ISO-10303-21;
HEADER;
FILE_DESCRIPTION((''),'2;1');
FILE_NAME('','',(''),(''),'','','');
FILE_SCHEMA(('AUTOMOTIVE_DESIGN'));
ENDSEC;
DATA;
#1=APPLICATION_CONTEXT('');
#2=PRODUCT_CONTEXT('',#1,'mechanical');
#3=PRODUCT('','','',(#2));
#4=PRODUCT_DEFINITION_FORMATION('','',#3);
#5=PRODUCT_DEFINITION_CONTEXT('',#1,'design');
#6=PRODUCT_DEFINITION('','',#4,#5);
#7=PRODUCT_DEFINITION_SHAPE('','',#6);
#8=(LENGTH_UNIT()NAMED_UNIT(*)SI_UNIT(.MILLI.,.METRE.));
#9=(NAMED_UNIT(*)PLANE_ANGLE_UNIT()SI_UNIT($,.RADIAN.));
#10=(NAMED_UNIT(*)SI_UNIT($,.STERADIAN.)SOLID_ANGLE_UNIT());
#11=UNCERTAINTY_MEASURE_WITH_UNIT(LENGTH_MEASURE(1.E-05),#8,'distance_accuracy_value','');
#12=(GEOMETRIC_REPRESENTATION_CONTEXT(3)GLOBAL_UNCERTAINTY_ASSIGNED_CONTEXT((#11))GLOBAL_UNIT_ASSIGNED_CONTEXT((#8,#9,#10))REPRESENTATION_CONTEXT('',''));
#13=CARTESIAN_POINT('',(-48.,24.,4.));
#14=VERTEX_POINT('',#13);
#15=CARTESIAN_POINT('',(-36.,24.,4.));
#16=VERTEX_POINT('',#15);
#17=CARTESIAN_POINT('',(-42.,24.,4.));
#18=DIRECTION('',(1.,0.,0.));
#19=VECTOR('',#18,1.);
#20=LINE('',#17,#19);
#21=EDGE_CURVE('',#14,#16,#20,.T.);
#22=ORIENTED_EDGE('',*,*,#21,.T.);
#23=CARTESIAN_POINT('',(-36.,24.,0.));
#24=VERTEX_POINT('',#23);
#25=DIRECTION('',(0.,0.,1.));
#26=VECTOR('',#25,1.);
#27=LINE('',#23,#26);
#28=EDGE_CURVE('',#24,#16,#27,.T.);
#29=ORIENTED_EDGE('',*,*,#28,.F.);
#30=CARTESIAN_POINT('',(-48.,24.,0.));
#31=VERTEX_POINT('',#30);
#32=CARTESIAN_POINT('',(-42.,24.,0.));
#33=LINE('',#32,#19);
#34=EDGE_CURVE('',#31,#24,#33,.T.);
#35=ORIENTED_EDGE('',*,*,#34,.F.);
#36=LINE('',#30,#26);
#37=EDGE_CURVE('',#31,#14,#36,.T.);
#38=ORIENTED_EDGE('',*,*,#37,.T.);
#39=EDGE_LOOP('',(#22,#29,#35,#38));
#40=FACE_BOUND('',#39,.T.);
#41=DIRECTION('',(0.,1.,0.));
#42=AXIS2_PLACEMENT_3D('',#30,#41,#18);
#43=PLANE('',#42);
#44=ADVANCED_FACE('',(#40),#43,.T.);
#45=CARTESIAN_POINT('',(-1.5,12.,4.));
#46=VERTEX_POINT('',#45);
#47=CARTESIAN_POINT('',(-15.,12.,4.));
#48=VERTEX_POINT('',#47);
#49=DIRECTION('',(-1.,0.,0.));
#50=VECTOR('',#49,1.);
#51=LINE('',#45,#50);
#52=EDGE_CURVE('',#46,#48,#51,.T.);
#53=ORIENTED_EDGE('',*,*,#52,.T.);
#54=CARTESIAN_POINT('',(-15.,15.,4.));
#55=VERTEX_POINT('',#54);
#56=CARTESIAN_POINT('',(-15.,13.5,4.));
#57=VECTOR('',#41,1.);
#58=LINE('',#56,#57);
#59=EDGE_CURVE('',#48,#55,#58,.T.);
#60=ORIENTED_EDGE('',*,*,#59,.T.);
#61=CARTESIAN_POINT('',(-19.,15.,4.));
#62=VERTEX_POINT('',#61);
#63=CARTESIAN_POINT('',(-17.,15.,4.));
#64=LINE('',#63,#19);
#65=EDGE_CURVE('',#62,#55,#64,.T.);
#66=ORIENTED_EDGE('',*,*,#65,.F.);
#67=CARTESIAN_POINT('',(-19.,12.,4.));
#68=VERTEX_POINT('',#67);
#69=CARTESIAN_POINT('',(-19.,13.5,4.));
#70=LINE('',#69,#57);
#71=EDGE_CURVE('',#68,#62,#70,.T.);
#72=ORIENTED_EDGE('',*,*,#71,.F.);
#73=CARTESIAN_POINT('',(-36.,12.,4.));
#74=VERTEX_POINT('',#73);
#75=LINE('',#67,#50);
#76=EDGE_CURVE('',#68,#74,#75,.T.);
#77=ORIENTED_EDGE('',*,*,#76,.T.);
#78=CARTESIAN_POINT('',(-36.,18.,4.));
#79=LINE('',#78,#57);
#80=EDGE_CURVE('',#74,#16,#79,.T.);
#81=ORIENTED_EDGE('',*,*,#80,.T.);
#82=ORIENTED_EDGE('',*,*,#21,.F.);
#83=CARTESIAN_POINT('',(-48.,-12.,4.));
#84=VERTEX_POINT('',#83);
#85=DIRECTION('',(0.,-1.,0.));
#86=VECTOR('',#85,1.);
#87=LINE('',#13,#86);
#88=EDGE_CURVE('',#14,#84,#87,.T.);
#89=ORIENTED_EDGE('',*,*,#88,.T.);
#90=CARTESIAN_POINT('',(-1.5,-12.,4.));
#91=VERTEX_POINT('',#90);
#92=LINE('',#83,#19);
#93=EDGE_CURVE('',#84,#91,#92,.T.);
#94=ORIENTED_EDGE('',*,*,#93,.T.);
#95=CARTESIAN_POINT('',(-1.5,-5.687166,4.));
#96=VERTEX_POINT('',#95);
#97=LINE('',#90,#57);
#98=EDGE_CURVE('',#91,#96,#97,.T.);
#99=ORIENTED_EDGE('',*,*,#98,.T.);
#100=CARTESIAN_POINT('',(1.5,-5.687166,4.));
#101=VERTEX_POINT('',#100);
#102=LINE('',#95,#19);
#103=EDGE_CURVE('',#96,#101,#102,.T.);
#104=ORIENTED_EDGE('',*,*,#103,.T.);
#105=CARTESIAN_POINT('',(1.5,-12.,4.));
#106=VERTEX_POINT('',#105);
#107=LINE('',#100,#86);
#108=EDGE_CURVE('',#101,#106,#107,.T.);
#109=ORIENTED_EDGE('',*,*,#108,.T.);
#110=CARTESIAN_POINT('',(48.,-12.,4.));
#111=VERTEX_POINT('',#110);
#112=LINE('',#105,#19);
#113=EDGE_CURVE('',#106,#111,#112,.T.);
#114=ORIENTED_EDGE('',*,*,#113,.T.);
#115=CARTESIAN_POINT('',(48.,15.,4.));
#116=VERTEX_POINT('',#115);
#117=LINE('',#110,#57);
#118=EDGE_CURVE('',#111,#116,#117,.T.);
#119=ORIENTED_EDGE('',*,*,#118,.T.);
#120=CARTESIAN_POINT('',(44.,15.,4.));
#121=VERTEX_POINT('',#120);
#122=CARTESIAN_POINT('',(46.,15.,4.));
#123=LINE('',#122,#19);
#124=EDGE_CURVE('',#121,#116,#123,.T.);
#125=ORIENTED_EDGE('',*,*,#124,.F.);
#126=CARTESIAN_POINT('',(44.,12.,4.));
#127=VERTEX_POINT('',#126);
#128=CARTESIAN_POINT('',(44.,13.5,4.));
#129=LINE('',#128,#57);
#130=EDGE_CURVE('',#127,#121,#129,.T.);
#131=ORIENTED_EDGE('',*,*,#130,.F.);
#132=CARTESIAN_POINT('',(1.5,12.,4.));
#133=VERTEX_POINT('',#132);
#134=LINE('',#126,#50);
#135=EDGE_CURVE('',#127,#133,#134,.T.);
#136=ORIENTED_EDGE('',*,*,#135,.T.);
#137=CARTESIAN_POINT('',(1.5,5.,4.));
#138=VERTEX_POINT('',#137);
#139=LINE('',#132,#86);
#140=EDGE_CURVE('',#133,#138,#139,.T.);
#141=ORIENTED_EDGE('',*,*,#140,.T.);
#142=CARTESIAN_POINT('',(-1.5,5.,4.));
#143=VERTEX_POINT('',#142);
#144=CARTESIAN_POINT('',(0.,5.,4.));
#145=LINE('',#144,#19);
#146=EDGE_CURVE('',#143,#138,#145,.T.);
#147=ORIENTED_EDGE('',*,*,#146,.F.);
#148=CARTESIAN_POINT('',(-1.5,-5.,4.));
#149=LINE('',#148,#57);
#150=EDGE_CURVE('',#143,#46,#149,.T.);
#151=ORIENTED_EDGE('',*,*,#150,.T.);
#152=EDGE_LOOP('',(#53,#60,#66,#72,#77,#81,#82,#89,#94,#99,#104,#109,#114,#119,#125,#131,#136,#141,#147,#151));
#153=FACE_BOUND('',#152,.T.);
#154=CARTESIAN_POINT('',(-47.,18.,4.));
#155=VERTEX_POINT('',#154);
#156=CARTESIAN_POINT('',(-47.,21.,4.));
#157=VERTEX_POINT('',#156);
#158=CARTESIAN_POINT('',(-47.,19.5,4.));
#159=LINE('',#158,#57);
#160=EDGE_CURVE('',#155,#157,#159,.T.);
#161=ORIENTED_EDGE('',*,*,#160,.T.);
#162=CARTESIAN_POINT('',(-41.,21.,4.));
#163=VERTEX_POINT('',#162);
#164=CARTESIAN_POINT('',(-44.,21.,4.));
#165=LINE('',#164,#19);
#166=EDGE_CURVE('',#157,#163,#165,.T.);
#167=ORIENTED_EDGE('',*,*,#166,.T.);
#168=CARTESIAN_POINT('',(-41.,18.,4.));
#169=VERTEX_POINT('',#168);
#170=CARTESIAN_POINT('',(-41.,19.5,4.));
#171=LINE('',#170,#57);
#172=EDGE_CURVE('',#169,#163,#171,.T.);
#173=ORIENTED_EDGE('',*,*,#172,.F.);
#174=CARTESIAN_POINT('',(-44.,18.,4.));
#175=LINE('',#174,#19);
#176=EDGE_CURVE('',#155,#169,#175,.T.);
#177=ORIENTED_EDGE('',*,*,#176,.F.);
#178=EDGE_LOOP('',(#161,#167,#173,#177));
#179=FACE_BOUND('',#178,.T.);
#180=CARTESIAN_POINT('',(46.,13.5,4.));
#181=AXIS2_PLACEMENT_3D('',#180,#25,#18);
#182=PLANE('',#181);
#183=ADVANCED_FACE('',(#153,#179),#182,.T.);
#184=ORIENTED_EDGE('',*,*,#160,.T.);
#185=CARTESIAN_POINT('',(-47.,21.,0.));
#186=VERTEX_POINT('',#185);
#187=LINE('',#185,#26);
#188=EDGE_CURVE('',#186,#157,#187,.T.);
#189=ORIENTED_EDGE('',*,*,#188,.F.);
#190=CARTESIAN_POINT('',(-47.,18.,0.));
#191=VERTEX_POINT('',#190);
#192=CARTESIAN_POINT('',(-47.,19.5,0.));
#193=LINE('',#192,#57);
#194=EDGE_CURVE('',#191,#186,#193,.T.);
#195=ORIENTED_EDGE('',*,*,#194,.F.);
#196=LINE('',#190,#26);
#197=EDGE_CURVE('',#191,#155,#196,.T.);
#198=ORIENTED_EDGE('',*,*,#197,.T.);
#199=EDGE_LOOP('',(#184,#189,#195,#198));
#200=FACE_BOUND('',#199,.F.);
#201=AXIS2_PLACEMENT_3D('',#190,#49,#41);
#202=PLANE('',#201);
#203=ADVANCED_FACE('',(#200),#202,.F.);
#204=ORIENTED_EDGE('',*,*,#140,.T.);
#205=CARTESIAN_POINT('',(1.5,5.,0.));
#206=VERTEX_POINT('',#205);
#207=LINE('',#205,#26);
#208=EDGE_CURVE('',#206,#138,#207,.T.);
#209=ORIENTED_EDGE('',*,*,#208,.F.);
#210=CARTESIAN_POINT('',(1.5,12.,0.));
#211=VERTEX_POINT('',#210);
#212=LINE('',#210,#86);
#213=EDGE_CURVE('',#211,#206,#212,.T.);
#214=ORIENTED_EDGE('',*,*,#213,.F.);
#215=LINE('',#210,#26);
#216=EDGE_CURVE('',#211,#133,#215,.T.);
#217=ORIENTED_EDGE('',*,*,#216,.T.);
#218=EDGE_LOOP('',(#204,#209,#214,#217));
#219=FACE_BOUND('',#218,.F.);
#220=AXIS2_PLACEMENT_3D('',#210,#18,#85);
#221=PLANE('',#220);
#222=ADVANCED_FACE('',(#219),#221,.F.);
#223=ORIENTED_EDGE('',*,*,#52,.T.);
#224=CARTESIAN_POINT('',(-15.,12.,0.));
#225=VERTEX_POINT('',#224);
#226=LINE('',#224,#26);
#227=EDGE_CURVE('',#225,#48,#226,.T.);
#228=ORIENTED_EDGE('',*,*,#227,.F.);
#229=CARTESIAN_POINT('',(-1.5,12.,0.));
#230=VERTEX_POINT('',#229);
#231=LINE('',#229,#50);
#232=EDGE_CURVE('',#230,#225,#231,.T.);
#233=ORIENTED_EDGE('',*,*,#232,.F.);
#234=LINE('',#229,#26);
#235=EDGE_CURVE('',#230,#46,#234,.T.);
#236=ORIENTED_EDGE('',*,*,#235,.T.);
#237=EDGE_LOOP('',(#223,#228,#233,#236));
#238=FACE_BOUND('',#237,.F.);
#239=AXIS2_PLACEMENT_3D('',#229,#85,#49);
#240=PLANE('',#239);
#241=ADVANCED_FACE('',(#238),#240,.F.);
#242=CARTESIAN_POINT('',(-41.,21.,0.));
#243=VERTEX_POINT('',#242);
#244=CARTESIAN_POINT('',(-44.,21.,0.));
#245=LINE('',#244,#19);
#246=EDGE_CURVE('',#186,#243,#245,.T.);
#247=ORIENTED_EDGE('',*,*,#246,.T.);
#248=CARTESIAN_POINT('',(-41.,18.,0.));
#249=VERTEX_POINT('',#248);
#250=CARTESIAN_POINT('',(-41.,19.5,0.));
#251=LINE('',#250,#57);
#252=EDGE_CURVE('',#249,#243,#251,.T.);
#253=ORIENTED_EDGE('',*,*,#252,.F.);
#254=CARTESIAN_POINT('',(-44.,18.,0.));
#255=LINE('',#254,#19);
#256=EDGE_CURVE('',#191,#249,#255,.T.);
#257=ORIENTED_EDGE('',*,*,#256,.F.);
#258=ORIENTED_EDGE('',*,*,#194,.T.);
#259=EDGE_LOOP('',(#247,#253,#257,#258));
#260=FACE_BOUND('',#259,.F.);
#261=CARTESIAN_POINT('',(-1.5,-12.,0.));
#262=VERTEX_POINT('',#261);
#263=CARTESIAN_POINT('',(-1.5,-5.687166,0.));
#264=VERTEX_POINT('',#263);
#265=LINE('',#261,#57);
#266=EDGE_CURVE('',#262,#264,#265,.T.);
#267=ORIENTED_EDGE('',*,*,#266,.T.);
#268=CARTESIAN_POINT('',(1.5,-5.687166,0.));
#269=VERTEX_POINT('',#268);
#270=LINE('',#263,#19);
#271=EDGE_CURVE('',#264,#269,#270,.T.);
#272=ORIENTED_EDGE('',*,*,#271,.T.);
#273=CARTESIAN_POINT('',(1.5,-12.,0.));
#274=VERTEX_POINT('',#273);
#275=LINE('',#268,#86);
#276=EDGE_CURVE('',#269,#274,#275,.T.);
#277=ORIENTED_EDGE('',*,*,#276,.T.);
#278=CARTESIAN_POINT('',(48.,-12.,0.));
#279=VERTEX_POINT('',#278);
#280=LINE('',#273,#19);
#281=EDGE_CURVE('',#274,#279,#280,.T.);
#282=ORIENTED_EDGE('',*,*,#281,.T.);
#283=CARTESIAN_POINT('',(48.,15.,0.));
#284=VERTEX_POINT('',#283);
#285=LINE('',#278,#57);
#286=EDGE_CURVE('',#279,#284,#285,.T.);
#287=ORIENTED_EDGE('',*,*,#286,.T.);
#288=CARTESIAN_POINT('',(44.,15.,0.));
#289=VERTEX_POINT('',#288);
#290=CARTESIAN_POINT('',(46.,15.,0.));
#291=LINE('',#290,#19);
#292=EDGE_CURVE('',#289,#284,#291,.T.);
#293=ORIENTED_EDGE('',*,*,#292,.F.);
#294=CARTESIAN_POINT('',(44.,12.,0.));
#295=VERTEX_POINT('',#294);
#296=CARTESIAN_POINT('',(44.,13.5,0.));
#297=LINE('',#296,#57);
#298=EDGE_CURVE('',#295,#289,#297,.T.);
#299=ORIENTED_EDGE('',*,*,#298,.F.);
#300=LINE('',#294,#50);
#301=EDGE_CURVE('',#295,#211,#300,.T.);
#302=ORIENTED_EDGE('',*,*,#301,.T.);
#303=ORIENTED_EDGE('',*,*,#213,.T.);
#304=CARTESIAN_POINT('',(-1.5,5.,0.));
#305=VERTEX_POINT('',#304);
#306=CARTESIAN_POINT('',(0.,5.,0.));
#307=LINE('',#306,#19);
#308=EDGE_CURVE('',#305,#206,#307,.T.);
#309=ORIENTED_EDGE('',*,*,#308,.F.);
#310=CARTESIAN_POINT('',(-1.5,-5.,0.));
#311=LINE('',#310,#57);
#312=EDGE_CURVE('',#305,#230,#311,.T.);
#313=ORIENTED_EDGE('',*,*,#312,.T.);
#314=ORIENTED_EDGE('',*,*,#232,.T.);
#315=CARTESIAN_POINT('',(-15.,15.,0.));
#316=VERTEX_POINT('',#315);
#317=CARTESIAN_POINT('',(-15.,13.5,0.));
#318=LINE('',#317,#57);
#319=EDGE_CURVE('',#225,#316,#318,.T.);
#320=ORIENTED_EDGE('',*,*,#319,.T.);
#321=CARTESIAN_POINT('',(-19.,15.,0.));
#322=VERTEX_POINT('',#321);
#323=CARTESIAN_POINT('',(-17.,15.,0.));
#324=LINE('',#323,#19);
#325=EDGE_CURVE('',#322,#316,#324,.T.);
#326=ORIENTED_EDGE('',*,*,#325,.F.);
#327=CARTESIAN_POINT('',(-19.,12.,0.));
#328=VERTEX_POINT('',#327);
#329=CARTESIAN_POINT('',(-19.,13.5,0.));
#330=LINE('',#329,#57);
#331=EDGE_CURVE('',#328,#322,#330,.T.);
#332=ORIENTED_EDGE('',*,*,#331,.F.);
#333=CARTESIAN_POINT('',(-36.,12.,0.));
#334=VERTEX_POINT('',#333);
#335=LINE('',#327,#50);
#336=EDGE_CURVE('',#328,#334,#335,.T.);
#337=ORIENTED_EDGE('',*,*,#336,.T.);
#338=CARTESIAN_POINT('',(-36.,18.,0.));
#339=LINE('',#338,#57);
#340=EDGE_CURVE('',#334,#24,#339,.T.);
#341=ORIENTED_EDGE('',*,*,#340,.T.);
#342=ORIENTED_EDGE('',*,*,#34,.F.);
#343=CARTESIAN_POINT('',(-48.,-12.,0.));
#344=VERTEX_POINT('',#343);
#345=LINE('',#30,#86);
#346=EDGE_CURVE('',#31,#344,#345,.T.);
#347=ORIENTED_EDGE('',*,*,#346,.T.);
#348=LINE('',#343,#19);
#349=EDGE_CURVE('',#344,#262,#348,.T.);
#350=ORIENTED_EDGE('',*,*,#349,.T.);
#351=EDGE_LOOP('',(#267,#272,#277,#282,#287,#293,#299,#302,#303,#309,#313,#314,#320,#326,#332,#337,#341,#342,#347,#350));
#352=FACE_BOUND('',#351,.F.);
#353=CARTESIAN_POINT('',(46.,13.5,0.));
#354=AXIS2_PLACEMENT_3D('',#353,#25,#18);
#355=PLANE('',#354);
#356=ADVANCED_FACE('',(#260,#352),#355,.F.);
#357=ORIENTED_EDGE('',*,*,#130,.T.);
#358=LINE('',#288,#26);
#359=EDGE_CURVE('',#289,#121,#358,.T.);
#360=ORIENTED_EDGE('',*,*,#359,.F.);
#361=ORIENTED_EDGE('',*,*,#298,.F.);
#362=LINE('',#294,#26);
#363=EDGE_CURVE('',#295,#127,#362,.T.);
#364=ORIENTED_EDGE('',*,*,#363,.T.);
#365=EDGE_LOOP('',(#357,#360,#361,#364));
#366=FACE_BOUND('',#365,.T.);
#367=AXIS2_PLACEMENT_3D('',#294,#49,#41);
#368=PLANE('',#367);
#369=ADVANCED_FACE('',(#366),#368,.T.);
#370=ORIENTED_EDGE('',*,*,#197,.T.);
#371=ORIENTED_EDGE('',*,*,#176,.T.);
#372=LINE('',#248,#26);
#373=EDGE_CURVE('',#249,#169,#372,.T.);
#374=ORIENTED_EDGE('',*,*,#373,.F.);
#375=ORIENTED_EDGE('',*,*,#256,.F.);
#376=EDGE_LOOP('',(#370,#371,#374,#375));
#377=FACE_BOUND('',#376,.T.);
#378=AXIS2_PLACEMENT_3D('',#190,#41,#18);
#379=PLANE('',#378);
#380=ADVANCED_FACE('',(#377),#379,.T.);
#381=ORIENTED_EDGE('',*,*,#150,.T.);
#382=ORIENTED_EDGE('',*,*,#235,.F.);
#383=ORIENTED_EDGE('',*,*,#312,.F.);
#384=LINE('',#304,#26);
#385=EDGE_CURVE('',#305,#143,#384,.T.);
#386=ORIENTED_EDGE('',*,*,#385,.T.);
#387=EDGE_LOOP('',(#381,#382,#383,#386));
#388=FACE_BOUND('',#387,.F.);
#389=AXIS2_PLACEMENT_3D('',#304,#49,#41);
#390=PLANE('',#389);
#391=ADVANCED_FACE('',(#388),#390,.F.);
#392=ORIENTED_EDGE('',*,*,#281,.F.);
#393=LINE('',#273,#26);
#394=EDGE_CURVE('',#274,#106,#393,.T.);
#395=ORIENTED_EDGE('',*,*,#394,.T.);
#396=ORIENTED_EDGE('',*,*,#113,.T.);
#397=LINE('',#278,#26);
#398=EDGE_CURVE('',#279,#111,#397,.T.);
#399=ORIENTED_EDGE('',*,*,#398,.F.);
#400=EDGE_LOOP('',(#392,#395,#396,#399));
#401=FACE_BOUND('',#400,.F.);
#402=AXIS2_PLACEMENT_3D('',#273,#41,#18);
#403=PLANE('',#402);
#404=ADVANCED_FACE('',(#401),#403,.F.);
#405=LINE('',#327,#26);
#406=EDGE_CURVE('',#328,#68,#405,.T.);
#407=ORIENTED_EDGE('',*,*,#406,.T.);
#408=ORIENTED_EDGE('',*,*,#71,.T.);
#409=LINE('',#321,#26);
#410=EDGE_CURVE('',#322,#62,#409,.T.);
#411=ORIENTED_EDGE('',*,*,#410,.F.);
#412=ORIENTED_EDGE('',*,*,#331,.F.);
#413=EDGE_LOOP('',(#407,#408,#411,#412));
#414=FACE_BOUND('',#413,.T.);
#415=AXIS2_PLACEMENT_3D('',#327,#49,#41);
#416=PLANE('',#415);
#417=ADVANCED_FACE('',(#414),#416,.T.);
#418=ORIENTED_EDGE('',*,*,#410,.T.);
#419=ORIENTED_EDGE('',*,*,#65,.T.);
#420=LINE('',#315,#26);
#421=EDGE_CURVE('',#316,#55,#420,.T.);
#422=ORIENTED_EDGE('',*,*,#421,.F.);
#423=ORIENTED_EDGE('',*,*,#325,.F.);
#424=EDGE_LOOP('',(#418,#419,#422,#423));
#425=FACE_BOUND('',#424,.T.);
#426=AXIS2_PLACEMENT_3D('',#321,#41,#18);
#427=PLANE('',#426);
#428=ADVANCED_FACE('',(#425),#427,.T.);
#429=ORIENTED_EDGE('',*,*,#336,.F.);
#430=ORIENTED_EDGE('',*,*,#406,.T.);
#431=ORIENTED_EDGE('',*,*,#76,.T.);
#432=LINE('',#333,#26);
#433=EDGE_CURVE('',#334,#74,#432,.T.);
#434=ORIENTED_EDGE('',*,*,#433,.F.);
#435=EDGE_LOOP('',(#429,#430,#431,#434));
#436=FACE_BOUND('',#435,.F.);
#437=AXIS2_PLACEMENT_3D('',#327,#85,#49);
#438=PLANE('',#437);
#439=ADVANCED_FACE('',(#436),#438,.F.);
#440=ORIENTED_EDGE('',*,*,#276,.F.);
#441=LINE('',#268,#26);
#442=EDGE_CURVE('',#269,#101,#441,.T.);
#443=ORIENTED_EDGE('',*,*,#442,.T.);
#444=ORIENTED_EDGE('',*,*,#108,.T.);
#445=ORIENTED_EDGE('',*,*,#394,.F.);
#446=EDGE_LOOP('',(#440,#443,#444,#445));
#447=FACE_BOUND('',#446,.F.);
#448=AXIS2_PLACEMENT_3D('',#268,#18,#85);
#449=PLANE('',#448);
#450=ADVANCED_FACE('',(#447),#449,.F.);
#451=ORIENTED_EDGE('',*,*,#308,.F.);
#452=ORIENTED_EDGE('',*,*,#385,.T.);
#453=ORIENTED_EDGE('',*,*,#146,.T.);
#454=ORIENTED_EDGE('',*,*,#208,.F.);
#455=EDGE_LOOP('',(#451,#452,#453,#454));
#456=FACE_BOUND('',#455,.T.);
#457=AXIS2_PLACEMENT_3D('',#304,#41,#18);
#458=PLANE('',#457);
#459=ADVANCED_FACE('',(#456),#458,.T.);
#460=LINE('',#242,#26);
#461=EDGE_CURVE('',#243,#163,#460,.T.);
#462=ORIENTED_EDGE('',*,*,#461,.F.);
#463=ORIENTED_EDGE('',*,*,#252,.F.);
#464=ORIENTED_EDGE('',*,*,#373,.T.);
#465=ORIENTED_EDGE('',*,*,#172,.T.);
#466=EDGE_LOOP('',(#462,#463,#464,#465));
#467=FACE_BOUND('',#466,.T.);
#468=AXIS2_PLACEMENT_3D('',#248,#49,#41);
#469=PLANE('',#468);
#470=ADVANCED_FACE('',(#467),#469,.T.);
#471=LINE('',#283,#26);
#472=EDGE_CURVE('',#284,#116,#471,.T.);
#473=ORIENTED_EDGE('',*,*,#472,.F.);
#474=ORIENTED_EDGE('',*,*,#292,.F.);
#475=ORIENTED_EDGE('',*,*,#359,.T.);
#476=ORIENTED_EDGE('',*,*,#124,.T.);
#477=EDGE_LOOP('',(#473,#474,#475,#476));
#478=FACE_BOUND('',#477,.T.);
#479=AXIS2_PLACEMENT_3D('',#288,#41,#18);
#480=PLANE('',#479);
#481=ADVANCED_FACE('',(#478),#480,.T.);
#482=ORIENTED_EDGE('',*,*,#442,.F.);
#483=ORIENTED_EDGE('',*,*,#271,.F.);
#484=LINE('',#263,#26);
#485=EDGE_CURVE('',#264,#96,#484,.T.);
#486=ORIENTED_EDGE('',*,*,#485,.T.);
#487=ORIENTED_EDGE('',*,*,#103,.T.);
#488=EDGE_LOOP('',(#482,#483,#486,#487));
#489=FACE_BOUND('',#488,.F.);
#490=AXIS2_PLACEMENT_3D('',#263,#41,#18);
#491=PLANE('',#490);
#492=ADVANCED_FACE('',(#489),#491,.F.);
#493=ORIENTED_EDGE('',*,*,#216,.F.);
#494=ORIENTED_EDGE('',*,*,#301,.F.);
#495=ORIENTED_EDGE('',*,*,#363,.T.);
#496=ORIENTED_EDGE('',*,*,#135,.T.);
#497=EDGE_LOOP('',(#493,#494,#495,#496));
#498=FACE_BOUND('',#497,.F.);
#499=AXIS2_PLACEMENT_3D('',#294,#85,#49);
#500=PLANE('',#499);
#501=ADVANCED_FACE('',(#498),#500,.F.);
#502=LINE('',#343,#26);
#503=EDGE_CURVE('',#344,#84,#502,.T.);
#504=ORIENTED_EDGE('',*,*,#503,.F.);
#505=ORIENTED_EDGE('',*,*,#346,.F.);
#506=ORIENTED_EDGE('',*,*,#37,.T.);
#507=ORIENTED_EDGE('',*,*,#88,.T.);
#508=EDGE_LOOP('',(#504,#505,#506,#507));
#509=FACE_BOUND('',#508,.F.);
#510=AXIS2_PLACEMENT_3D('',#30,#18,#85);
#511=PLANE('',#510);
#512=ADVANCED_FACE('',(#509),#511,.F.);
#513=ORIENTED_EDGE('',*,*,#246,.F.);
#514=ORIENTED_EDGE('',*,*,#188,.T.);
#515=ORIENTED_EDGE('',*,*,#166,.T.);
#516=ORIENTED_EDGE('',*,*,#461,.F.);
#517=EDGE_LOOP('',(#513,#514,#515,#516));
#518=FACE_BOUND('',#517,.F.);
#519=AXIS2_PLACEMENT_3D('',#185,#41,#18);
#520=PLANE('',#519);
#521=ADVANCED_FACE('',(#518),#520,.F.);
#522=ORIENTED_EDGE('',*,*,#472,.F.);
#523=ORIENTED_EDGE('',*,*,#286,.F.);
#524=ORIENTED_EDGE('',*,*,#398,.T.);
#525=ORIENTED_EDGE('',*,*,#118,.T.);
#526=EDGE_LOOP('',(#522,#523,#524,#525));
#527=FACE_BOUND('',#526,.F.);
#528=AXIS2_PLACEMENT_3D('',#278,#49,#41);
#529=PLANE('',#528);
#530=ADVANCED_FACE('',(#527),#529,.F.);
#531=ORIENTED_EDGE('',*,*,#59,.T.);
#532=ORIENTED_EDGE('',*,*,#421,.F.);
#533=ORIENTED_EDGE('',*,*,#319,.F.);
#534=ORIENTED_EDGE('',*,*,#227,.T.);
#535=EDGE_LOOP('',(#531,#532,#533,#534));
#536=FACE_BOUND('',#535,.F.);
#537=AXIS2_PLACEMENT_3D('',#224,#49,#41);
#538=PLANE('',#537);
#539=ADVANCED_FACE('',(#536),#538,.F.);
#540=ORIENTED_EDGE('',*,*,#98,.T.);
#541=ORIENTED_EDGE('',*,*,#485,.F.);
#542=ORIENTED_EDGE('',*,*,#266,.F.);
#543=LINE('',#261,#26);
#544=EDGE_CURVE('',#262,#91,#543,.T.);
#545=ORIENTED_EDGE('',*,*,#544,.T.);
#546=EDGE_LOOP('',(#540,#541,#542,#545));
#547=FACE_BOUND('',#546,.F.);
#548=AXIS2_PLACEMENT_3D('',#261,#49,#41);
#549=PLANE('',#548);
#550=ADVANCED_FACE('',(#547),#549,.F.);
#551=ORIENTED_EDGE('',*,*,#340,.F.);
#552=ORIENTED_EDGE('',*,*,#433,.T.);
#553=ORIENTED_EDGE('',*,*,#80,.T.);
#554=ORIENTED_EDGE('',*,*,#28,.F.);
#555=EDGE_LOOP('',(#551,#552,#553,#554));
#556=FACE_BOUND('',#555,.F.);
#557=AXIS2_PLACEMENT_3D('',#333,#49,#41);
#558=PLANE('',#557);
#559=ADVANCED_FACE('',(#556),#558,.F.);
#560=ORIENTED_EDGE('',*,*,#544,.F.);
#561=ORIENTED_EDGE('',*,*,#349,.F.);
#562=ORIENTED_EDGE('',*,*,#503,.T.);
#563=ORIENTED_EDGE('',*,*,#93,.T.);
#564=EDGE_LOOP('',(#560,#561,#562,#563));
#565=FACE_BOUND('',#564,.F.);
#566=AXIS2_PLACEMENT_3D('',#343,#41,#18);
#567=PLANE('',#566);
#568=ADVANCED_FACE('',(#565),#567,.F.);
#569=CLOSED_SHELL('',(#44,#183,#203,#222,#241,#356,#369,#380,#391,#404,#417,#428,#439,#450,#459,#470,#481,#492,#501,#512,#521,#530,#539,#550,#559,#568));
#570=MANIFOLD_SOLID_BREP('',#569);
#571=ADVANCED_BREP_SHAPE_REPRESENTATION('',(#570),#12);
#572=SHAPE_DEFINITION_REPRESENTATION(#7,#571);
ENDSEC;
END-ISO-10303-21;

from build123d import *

# Parameters (mm, degrees)
F0_W     = 4
F0_H     = 3
F0_W_2   = 12
F0_H_2   = 12
F0_W_3   = 6
F0_W_4   = 3
F0_H_3   = 10
F1_DEPTH = 4


with BuildPart() as f1:
    # F0 (on Top) → F1 (new body)
    with BuildSketch(Plane.XY):
        with Locations((46, 13.5)):
            Rectangle(F0_W, F0_H)
        with Locations((-17, 13.5)):
            Rectangle(F0_W, F0_H)
        with Locations((-42, 18)):
            Rectangle(F0_W_2, F0_H_2)
        with Locations((-44, 19.5)):
            Rectangle(F0_W_3, F0_H, mode=Mode.SUBTRACT)
        Polygon((1.5, -12), (48, -12), (48, 12), (44, 12), (1.5, 12), (1.5, 5), (1.5, -5), (-1.5, -5), (-1.5, 5), (-1.5, 12), (-15, 12), (-19, 12), (-36, 12), (-48, 12), (-48, -12), (-1.5, -12), (-1.5, -5.687166), (1.5, -5.687166), align=None)
        Rectangle(F0_W_4, F0_H_3)
    extrude(amount=F1_DEPTH)


solid = f1.part
